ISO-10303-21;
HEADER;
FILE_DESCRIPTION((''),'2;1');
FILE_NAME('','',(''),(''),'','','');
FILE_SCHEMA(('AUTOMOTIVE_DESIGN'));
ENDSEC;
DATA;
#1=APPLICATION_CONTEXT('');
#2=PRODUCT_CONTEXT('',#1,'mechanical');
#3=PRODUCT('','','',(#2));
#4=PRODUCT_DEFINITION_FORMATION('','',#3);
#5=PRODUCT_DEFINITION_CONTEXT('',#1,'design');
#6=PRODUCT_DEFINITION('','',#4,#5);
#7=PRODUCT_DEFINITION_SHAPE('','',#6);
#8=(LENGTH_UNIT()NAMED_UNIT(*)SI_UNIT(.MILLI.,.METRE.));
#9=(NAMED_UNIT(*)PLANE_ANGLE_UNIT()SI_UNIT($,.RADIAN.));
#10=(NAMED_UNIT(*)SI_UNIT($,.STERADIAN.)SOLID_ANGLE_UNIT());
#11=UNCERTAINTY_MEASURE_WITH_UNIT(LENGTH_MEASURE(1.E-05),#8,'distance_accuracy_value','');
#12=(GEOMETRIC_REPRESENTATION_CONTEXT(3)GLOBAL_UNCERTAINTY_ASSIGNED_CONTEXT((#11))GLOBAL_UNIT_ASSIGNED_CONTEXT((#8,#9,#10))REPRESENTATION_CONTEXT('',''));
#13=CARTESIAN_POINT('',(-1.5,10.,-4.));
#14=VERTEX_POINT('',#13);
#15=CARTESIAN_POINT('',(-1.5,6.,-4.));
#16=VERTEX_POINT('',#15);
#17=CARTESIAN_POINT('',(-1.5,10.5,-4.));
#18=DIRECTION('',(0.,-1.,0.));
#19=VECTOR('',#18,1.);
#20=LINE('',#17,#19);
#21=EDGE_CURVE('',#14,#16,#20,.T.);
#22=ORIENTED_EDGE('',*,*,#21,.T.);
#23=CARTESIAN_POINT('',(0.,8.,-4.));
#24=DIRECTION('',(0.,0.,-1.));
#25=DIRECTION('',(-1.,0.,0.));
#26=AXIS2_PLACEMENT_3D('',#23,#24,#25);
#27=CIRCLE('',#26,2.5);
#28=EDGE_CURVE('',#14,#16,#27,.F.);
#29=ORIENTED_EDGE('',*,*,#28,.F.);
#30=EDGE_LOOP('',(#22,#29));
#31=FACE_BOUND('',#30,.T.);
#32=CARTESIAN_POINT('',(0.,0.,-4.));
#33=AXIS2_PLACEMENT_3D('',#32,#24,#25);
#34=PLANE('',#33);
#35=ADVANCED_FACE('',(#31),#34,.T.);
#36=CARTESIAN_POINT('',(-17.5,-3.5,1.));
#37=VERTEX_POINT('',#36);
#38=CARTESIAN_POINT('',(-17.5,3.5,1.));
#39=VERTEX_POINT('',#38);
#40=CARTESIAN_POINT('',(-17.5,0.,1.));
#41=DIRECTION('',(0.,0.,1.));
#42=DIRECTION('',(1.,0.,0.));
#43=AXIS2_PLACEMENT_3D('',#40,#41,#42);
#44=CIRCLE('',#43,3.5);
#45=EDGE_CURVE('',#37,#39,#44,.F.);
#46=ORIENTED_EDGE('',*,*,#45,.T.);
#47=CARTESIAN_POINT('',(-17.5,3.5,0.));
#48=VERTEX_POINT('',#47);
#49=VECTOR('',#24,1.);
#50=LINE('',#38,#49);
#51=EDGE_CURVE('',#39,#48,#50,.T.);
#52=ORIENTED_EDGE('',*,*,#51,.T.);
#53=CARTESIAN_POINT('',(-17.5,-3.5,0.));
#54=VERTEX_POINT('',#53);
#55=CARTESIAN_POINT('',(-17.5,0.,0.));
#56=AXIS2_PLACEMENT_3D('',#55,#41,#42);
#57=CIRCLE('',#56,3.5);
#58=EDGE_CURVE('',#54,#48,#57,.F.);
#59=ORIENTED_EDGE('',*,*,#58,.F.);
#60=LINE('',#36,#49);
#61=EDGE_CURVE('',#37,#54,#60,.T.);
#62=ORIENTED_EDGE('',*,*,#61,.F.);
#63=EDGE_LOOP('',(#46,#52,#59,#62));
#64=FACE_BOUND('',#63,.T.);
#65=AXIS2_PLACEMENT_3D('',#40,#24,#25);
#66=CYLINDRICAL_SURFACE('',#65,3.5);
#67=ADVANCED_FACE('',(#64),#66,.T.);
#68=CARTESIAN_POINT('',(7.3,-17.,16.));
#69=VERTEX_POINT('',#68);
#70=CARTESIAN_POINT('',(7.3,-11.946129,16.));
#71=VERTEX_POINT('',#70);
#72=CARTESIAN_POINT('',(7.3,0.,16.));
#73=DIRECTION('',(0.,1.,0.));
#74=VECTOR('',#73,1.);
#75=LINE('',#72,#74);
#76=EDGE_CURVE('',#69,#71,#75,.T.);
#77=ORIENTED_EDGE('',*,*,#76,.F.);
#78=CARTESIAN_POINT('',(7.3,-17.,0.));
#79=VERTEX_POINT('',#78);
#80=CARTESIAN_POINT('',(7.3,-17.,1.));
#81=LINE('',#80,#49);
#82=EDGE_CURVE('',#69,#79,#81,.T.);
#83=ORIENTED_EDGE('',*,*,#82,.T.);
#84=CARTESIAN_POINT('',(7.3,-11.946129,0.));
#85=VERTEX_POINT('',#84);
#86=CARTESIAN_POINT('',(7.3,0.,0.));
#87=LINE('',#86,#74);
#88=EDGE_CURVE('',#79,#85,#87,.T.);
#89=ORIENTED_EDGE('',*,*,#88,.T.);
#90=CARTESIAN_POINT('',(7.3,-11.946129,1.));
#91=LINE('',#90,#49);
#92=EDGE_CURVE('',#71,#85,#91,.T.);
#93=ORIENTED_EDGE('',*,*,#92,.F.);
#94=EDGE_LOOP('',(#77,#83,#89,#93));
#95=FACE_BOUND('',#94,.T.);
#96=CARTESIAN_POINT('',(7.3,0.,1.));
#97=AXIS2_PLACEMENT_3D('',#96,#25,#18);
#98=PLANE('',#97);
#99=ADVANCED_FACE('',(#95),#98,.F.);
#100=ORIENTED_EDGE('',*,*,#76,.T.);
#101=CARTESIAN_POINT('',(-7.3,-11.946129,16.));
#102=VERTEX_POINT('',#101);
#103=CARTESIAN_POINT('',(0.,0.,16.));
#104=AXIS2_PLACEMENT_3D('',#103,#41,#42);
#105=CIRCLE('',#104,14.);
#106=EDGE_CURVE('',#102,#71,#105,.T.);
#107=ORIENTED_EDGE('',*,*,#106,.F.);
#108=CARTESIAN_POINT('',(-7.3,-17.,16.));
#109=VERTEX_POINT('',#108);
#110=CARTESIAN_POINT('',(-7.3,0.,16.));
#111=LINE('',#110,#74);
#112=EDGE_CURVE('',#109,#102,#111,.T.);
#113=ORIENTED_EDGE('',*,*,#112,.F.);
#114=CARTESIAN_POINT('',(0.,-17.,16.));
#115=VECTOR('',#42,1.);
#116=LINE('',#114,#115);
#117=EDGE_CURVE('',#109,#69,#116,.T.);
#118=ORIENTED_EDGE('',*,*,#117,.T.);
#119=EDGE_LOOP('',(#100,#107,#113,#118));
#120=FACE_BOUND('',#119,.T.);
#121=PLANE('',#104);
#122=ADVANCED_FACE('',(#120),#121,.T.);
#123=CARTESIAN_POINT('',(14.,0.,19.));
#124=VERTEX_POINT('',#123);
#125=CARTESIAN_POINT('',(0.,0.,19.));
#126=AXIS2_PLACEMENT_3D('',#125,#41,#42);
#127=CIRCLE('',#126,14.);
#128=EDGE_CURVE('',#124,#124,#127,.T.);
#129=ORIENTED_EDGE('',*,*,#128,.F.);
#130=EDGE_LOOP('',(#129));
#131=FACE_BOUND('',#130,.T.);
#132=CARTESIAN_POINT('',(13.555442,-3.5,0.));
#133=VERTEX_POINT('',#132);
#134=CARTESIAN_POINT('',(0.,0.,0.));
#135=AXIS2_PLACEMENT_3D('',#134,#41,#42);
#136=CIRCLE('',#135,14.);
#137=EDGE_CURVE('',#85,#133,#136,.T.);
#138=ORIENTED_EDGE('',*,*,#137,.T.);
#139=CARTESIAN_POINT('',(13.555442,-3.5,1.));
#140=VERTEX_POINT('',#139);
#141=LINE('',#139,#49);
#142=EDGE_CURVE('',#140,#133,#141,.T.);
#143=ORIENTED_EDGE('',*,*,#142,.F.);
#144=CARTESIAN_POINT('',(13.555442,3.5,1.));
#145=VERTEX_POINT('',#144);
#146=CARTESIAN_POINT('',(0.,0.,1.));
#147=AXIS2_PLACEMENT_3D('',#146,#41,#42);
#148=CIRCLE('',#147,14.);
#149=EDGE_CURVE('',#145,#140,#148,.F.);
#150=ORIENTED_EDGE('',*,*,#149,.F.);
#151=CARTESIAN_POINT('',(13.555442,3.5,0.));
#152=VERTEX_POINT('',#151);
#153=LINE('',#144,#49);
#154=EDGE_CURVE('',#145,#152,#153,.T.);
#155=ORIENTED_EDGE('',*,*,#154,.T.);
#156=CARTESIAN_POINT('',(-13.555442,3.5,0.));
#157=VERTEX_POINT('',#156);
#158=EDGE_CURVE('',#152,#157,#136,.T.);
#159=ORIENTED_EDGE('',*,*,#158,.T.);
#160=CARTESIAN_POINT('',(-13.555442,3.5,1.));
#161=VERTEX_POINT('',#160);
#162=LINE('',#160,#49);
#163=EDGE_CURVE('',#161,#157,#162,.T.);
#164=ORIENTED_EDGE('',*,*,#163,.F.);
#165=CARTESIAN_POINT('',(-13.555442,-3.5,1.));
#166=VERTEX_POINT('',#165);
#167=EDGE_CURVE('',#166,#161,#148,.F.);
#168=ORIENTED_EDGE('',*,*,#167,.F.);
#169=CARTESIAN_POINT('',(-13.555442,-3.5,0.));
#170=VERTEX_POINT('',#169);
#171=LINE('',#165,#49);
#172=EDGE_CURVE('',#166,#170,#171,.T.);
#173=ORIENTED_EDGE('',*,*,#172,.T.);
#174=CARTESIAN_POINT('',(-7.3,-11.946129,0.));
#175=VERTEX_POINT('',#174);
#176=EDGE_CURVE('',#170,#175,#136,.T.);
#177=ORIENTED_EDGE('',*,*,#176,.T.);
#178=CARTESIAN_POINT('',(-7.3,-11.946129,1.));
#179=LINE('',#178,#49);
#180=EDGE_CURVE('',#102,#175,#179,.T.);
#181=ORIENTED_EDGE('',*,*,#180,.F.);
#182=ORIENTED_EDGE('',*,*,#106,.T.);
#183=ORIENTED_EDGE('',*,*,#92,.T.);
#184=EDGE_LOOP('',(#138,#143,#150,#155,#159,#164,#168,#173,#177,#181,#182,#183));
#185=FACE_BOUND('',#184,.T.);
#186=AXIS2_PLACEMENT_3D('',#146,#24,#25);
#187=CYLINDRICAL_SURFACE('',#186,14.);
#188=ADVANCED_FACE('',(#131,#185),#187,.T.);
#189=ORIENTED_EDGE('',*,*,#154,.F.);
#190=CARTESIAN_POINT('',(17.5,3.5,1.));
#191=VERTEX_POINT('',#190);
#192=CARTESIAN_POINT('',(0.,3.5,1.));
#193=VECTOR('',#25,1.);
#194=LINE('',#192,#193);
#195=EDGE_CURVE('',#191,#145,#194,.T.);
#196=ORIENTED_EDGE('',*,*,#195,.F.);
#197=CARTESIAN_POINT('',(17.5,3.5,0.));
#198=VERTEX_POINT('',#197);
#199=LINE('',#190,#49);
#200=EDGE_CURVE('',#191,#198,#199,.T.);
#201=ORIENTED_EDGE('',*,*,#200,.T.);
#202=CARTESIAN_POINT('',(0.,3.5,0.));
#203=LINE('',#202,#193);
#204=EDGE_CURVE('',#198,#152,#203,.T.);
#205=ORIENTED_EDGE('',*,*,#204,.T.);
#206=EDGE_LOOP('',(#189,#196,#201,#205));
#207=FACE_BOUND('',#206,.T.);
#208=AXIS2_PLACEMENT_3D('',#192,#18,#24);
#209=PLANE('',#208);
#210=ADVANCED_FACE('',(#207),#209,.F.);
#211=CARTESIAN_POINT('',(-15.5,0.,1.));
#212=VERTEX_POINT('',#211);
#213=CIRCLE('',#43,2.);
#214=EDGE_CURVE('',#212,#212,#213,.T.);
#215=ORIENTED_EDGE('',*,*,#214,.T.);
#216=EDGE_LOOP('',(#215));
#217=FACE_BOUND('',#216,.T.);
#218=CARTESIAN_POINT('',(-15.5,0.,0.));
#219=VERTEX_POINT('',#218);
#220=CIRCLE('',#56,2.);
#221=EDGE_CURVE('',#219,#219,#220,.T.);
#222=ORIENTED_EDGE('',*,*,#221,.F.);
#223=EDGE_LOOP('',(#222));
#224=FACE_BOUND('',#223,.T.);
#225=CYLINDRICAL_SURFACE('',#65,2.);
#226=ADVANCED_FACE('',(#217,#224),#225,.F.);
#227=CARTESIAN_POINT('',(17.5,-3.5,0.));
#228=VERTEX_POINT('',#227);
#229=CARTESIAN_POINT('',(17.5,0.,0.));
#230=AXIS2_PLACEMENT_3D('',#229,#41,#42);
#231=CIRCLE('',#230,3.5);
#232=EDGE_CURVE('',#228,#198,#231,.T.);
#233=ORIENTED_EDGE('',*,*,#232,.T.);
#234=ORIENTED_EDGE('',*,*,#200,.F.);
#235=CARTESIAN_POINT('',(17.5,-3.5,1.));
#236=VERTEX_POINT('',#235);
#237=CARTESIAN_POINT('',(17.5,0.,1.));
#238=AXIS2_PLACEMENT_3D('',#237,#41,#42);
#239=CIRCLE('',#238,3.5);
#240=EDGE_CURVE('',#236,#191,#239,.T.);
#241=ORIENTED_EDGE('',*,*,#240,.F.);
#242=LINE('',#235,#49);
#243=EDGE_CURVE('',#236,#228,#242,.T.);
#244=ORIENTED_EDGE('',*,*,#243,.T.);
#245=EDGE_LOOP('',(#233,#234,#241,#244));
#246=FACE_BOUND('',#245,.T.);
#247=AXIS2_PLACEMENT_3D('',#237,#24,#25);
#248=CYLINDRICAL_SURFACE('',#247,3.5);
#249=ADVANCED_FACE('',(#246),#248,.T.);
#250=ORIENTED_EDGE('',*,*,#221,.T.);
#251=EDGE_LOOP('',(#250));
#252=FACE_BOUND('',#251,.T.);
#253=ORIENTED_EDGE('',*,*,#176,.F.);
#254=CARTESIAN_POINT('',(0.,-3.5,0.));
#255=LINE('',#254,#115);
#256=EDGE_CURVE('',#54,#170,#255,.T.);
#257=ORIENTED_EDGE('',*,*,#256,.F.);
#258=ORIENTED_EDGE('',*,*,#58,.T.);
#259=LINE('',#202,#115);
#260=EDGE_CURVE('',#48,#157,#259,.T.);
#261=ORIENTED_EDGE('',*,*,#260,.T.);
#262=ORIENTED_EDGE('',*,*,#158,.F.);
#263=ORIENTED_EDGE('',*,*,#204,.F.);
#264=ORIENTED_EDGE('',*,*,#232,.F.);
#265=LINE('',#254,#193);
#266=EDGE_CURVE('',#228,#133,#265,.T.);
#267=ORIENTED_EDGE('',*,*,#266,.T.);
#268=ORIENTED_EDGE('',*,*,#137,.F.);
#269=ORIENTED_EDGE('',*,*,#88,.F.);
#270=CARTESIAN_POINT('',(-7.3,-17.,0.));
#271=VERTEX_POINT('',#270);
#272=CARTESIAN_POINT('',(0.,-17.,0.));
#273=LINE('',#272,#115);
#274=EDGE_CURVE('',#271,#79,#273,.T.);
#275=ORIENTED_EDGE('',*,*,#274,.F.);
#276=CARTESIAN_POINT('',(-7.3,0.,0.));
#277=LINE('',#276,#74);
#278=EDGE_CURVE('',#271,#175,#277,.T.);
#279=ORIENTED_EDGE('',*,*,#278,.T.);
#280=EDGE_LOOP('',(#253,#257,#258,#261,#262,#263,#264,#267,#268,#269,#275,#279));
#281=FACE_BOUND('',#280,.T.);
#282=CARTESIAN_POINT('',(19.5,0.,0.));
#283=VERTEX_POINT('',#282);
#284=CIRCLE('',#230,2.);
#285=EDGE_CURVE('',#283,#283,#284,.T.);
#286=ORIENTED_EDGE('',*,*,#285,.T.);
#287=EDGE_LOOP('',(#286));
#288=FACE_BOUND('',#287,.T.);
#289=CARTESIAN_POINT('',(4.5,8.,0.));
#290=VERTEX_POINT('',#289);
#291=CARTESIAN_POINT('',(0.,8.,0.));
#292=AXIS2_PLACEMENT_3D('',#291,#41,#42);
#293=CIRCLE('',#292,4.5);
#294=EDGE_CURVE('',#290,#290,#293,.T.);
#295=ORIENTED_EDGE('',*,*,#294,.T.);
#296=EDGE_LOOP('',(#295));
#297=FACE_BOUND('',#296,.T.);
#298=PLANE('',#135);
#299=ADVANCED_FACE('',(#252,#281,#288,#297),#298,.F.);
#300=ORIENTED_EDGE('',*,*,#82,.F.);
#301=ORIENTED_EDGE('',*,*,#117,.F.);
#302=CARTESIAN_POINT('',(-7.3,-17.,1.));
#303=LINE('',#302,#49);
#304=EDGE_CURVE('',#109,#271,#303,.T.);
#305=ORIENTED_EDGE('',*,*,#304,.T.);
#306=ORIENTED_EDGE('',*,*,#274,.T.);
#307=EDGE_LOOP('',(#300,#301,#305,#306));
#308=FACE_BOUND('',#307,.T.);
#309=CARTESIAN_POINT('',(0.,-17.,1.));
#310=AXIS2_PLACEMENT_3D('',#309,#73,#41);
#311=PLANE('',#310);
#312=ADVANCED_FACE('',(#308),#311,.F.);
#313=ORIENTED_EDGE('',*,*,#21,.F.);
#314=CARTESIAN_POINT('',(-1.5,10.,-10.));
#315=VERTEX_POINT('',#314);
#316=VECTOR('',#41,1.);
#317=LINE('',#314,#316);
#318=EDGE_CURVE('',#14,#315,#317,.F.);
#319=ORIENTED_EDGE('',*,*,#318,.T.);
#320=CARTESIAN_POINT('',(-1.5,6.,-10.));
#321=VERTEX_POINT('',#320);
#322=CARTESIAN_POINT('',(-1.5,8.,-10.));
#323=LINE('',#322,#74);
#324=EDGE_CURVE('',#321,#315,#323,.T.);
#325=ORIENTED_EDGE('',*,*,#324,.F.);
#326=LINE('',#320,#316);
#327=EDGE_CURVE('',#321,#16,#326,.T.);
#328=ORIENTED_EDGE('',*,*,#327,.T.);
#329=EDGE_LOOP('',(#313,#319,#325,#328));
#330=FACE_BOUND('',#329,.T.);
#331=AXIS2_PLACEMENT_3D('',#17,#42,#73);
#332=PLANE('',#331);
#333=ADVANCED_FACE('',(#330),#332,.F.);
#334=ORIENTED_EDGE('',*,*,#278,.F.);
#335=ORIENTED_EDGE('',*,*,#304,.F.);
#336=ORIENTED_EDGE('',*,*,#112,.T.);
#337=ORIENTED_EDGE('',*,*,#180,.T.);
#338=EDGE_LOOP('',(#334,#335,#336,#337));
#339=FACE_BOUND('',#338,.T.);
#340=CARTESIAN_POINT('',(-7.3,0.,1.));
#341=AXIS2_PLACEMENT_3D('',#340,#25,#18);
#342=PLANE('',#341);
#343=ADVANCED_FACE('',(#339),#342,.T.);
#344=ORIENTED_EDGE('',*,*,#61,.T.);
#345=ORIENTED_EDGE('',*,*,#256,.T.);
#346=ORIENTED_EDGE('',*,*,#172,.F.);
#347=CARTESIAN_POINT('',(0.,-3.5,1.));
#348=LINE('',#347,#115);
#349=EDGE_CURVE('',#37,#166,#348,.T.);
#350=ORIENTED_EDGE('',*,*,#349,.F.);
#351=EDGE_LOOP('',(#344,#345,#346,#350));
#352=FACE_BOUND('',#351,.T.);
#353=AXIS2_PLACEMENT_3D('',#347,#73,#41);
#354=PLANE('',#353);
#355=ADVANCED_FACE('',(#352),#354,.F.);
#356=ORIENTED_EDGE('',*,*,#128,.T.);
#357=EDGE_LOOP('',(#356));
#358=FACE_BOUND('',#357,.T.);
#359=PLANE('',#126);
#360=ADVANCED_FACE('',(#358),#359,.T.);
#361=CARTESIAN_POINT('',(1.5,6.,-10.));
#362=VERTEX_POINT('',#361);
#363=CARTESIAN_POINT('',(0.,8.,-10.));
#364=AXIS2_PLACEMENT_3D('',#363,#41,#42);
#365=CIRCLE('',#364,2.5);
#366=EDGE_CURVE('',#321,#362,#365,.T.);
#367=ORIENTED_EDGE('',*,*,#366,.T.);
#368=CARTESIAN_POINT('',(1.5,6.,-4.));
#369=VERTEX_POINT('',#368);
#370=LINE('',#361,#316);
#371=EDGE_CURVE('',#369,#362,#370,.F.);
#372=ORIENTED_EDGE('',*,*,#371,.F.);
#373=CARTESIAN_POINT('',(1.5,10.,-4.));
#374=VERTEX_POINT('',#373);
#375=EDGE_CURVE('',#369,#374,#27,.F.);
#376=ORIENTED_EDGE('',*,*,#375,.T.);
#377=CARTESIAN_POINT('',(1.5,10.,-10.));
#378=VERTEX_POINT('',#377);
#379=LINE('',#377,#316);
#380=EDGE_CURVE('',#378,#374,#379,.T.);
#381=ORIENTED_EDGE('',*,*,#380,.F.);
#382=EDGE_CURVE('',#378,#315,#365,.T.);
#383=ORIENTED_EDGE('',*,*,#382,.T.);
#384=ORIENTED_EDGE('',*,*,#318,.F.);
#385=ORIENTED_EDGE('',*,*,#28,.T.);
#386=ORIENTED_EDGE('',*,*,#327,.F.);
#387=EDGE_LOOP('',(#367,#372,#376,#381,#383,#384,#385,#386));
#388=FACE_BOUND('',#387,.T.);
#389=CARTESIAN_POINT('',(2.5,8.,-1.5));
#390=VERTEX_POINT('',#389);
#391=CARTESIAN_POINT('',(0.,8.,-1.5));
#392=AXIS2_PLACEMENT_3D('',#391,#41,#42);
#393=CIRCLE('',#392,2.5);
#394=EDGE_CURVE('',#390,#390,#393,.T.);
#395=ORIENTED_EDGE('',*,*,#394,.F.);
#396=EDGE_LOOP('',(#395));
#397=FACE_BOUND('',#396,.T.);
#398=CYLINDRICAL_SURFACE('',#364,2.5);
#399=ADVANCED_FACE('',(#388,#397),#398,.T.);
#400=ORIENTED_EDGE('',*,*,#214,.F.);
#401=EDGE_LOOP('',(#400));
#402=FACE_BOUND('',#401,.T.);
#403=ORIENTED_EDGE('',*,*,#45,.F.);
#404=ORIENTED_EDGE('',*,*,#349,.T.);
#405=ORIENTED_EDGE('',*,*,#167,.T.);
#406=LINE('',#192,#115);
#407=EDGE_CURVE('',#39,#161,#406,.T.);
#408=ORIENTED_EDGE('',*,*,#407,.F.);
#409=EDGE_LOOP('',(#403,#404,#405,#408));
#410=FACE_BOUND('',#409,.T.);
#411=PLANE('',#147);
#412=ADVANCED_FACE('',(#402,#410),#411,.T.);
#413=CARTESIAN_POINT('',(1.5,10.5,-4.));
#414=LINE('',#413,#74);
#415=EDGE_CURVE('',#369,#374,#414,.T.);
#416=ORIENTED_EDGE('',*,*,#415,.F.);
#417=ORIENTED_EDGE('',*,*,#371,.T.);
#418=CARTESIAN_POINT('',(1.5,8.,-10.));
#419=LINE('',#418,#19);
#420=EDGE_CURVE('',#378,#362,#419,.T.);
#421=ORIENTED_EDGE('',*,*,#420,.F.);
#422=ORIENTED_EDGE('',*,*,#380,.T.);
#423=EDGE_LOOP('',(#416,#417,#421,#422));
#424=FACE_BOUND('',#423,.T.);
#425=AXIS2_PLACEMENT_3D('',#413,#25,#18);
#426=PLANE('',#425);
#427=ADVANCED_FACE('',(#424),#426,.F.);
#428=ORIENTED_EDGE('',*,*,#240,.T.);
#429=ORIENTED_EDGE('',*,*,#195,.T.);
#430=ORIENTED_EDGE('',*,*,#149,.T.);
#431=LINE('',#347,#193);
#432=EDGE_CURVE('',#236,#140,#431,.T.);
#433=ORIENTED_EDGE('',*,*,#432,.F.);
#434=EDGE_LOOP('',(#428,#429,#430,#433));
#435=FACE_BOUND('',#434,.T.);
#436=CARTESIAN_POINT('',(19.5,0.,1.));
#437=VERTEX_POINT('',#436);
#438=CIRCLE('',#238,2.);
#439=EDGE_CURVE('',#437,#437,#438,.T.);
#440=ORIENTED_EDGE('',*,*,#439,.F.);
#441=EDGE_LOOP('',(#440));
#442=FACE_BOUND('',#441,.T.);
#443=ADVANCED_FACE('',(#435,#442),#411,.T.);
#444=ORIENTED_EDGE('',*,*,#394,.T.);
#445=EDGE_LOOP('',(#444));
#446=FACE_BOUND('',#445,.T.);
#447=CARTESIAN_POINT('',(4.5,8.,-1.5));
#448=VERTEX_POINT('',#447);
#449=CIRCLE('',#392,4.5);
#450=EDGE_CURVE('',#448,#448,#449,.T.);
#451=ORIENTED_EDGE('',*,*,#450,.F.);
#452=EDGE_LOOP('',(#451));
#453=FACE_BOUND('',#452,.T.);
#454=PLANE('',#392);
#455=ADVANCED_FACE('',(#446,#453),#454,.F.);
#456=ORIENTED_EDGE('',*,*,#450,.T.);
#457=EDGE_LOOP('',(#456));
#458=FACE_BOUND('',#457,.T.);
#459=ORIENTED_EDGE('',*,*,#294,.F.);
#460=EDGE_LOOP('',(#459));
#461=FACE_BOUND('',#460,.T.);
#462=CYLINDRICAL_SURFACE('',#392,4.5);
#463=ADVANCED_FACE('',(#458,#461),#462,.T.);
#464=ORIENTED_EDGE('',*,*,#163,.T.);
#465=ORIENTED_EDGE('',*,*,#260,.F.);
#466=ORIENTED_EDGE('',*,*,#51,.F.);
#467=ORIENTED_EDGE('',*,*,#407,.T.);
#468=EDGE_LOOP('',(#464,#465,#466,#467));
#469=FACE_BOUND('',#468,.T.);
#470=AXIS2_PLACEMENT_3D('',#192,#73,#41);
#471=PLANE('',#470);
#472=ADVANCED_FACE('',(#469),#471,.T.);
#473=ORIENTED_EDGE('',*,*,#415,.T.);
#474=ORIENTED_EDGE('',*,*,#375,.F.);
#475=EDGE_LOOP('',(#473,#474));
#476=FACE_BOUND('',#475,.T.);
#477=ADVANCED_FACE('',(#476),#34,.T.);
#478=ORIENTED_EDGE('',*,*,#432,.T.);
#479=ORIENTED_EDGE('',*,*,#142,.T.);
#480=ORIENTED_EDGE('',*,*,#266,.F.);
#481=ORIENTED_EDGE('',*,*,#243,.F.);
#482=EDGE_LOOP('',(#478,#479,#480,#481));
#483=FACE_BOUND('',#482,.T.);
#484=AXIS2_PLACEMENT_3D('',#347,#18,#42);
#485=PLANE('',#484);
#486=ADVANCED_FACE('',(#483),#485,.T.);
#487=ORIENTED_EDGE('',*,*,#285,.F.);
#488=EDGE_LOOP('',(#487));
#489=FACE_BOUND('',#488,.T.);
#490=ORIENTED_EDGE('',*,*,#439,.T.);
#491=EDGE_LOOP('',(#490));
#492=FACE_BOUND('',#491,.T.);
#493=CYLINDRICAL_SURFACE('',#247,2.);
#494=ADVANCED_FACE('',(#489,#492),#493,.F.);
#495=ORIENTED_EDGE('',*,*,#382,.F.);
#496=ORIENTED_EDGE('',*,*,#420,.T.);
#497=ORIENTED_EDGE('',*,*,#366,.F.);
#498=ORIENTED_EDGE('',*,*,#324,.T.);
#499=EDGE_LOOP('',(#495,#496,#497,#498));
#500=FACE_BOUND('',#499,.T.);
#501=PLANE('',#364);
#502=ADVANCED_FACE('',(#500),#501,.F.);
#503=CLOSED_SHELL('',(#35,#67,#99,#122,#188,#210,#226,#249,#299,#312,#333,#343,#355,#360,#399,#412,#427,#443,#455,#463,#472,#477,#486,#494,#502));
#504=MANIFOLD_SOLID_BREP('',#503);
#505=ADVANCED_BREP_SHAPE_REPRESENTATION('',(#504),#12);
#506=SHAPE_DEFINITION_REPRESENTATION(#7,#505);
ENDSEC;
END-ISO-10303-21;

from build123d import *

# Parameters (mm, degrees)
ESQUISSE1_R             = 2
BOSS_EXTRU_1_DEPTH      = 1
ESQUISSE1_3_R           = 14
BOSS_EXTRU_2_DEPTH      = 19
BOSS_EXTRU_3_DEPTH      = 16
ESQUISSE1_5_R           = 4.5
BOSS_EXTRU_4_DEPTH      = 1.5
ESQUISSE1_6_R           = 2.5
BOSS_EXTRU_5_DEPTH      = 10
ESQUISSE2_W             = 1
ESQUISSE2_H             = 5
ENL_V_MAT_EXTRU_1_DEPTH = 6


with BuildPart() as part:
    # Esquisse1 → Boss.-Extru.1 (new body)
    with BuildSketch(Plane.XY):
        with BuildLine():
            Line((-7.3, -11.94612908), (-7.3, -17))
            Line((-7.3, -17), (7.3, -17))
            Line((7.3, -17), (7.3, -11.94612908))
            ThreePointArc((7.3, -11.94612908), (11.250406053, -8.332368429), (13.555441712, -3.5))
            Line((13.555441712, -3.5), (17.5, -3.5))
            ThreePointArc((17.5, -3.5), (21, 0), (17.5, 3.5))
            Line((17.5, 3.5), (13.555441712, 3.5))
            ThreePointArc((13.555441712, 3.5), (0, 14), (-13.555441712, 3.5))
            Line((-13.555441712, 3.5), (-17.5, 3.5))
            ThreePointArc((-17.5, 3.5), (-21, 0), (-17.5, -3.5))
            Line((-17.5, -3.5), (-13.555441712, -3.5))
            ThreePointArc((-13.555441712, -3.5), (-11.250406053, -8.332368429), (-7.3, -11.94612908))
        make_face()
        with Locations((-17.5, 0)):
            Circle(ESQUISSE1_R, mode=Mode.SUBTRACT)
        with Locations((17.5, 0)):
            Circle(ESQUISSE1_R, mode=Mode.SUBTRACT)
    extrude(amount=BOSS_EXTRU_1_DEPTH)

    # Esquisse1<3> → Boss.-Extru.2 (add)
    with BuildSketch(Plane.XY):
        Circle(ESQUISSE1_3_R)
    extrude(amount=BOSS_EXTRU_2_DEPTH)

    # Esquisse1<4> → Boss.-Extru.3 (add)
    with BuildSketch(Plane.XY):
        with BuildLine():
            Line((-7.3, -11.94612908), (-7.3, -17))
            Line((-7.3, -17), (7.3, -17))
            Line((7.3, -17), (7.3, -11.94612908))
            ThreePointArc((7.3, -11.94612908), (0, -14), (-7.3, -11.94612908))
        make_face()
    extrude(amount=BOSS_EXTRU_3_DEPTH)

    # Esquisse1<5> → Boss.-Extru.4 (add)
    with BuildSketch(Plane.XY):
        with Locations((0, 8)):
            Circle(ESQUISSE1_5_R)
    extrude(amount=-BOSS_EXTRU_4_DEPTH)

    # Esquisse1<6> → Boss.-Extru.5 (add)
    with BuildSketch(Plane.XY):
        with Locations((0, 8)):
            Circle(ESQUISSE1_6_R)
    extrude(amount=-BOSS_EXTRU_5_DEPTH)

    # Esquisse2 → Enlèv. mat.-Extru.1 (cut)
    with BuildSketch(Plane(origin=(0, 0, -10), x_dir=(-1, 0, 0), z_dir=(0, 0, -1))):
        with Locations((2, 8)):
            Rectangle(ESQUISSE2_W, ESQUISSE2_H)
        with Locations((-2, 8)):
            Rectangle(ESQUISSE2_W, ESQUISSE2_H)
    extrude(amount=-ENL_V_MAT_EXTRU_1_DEPTH, mode=Mode.SUBTRACT)


solid = part.part
